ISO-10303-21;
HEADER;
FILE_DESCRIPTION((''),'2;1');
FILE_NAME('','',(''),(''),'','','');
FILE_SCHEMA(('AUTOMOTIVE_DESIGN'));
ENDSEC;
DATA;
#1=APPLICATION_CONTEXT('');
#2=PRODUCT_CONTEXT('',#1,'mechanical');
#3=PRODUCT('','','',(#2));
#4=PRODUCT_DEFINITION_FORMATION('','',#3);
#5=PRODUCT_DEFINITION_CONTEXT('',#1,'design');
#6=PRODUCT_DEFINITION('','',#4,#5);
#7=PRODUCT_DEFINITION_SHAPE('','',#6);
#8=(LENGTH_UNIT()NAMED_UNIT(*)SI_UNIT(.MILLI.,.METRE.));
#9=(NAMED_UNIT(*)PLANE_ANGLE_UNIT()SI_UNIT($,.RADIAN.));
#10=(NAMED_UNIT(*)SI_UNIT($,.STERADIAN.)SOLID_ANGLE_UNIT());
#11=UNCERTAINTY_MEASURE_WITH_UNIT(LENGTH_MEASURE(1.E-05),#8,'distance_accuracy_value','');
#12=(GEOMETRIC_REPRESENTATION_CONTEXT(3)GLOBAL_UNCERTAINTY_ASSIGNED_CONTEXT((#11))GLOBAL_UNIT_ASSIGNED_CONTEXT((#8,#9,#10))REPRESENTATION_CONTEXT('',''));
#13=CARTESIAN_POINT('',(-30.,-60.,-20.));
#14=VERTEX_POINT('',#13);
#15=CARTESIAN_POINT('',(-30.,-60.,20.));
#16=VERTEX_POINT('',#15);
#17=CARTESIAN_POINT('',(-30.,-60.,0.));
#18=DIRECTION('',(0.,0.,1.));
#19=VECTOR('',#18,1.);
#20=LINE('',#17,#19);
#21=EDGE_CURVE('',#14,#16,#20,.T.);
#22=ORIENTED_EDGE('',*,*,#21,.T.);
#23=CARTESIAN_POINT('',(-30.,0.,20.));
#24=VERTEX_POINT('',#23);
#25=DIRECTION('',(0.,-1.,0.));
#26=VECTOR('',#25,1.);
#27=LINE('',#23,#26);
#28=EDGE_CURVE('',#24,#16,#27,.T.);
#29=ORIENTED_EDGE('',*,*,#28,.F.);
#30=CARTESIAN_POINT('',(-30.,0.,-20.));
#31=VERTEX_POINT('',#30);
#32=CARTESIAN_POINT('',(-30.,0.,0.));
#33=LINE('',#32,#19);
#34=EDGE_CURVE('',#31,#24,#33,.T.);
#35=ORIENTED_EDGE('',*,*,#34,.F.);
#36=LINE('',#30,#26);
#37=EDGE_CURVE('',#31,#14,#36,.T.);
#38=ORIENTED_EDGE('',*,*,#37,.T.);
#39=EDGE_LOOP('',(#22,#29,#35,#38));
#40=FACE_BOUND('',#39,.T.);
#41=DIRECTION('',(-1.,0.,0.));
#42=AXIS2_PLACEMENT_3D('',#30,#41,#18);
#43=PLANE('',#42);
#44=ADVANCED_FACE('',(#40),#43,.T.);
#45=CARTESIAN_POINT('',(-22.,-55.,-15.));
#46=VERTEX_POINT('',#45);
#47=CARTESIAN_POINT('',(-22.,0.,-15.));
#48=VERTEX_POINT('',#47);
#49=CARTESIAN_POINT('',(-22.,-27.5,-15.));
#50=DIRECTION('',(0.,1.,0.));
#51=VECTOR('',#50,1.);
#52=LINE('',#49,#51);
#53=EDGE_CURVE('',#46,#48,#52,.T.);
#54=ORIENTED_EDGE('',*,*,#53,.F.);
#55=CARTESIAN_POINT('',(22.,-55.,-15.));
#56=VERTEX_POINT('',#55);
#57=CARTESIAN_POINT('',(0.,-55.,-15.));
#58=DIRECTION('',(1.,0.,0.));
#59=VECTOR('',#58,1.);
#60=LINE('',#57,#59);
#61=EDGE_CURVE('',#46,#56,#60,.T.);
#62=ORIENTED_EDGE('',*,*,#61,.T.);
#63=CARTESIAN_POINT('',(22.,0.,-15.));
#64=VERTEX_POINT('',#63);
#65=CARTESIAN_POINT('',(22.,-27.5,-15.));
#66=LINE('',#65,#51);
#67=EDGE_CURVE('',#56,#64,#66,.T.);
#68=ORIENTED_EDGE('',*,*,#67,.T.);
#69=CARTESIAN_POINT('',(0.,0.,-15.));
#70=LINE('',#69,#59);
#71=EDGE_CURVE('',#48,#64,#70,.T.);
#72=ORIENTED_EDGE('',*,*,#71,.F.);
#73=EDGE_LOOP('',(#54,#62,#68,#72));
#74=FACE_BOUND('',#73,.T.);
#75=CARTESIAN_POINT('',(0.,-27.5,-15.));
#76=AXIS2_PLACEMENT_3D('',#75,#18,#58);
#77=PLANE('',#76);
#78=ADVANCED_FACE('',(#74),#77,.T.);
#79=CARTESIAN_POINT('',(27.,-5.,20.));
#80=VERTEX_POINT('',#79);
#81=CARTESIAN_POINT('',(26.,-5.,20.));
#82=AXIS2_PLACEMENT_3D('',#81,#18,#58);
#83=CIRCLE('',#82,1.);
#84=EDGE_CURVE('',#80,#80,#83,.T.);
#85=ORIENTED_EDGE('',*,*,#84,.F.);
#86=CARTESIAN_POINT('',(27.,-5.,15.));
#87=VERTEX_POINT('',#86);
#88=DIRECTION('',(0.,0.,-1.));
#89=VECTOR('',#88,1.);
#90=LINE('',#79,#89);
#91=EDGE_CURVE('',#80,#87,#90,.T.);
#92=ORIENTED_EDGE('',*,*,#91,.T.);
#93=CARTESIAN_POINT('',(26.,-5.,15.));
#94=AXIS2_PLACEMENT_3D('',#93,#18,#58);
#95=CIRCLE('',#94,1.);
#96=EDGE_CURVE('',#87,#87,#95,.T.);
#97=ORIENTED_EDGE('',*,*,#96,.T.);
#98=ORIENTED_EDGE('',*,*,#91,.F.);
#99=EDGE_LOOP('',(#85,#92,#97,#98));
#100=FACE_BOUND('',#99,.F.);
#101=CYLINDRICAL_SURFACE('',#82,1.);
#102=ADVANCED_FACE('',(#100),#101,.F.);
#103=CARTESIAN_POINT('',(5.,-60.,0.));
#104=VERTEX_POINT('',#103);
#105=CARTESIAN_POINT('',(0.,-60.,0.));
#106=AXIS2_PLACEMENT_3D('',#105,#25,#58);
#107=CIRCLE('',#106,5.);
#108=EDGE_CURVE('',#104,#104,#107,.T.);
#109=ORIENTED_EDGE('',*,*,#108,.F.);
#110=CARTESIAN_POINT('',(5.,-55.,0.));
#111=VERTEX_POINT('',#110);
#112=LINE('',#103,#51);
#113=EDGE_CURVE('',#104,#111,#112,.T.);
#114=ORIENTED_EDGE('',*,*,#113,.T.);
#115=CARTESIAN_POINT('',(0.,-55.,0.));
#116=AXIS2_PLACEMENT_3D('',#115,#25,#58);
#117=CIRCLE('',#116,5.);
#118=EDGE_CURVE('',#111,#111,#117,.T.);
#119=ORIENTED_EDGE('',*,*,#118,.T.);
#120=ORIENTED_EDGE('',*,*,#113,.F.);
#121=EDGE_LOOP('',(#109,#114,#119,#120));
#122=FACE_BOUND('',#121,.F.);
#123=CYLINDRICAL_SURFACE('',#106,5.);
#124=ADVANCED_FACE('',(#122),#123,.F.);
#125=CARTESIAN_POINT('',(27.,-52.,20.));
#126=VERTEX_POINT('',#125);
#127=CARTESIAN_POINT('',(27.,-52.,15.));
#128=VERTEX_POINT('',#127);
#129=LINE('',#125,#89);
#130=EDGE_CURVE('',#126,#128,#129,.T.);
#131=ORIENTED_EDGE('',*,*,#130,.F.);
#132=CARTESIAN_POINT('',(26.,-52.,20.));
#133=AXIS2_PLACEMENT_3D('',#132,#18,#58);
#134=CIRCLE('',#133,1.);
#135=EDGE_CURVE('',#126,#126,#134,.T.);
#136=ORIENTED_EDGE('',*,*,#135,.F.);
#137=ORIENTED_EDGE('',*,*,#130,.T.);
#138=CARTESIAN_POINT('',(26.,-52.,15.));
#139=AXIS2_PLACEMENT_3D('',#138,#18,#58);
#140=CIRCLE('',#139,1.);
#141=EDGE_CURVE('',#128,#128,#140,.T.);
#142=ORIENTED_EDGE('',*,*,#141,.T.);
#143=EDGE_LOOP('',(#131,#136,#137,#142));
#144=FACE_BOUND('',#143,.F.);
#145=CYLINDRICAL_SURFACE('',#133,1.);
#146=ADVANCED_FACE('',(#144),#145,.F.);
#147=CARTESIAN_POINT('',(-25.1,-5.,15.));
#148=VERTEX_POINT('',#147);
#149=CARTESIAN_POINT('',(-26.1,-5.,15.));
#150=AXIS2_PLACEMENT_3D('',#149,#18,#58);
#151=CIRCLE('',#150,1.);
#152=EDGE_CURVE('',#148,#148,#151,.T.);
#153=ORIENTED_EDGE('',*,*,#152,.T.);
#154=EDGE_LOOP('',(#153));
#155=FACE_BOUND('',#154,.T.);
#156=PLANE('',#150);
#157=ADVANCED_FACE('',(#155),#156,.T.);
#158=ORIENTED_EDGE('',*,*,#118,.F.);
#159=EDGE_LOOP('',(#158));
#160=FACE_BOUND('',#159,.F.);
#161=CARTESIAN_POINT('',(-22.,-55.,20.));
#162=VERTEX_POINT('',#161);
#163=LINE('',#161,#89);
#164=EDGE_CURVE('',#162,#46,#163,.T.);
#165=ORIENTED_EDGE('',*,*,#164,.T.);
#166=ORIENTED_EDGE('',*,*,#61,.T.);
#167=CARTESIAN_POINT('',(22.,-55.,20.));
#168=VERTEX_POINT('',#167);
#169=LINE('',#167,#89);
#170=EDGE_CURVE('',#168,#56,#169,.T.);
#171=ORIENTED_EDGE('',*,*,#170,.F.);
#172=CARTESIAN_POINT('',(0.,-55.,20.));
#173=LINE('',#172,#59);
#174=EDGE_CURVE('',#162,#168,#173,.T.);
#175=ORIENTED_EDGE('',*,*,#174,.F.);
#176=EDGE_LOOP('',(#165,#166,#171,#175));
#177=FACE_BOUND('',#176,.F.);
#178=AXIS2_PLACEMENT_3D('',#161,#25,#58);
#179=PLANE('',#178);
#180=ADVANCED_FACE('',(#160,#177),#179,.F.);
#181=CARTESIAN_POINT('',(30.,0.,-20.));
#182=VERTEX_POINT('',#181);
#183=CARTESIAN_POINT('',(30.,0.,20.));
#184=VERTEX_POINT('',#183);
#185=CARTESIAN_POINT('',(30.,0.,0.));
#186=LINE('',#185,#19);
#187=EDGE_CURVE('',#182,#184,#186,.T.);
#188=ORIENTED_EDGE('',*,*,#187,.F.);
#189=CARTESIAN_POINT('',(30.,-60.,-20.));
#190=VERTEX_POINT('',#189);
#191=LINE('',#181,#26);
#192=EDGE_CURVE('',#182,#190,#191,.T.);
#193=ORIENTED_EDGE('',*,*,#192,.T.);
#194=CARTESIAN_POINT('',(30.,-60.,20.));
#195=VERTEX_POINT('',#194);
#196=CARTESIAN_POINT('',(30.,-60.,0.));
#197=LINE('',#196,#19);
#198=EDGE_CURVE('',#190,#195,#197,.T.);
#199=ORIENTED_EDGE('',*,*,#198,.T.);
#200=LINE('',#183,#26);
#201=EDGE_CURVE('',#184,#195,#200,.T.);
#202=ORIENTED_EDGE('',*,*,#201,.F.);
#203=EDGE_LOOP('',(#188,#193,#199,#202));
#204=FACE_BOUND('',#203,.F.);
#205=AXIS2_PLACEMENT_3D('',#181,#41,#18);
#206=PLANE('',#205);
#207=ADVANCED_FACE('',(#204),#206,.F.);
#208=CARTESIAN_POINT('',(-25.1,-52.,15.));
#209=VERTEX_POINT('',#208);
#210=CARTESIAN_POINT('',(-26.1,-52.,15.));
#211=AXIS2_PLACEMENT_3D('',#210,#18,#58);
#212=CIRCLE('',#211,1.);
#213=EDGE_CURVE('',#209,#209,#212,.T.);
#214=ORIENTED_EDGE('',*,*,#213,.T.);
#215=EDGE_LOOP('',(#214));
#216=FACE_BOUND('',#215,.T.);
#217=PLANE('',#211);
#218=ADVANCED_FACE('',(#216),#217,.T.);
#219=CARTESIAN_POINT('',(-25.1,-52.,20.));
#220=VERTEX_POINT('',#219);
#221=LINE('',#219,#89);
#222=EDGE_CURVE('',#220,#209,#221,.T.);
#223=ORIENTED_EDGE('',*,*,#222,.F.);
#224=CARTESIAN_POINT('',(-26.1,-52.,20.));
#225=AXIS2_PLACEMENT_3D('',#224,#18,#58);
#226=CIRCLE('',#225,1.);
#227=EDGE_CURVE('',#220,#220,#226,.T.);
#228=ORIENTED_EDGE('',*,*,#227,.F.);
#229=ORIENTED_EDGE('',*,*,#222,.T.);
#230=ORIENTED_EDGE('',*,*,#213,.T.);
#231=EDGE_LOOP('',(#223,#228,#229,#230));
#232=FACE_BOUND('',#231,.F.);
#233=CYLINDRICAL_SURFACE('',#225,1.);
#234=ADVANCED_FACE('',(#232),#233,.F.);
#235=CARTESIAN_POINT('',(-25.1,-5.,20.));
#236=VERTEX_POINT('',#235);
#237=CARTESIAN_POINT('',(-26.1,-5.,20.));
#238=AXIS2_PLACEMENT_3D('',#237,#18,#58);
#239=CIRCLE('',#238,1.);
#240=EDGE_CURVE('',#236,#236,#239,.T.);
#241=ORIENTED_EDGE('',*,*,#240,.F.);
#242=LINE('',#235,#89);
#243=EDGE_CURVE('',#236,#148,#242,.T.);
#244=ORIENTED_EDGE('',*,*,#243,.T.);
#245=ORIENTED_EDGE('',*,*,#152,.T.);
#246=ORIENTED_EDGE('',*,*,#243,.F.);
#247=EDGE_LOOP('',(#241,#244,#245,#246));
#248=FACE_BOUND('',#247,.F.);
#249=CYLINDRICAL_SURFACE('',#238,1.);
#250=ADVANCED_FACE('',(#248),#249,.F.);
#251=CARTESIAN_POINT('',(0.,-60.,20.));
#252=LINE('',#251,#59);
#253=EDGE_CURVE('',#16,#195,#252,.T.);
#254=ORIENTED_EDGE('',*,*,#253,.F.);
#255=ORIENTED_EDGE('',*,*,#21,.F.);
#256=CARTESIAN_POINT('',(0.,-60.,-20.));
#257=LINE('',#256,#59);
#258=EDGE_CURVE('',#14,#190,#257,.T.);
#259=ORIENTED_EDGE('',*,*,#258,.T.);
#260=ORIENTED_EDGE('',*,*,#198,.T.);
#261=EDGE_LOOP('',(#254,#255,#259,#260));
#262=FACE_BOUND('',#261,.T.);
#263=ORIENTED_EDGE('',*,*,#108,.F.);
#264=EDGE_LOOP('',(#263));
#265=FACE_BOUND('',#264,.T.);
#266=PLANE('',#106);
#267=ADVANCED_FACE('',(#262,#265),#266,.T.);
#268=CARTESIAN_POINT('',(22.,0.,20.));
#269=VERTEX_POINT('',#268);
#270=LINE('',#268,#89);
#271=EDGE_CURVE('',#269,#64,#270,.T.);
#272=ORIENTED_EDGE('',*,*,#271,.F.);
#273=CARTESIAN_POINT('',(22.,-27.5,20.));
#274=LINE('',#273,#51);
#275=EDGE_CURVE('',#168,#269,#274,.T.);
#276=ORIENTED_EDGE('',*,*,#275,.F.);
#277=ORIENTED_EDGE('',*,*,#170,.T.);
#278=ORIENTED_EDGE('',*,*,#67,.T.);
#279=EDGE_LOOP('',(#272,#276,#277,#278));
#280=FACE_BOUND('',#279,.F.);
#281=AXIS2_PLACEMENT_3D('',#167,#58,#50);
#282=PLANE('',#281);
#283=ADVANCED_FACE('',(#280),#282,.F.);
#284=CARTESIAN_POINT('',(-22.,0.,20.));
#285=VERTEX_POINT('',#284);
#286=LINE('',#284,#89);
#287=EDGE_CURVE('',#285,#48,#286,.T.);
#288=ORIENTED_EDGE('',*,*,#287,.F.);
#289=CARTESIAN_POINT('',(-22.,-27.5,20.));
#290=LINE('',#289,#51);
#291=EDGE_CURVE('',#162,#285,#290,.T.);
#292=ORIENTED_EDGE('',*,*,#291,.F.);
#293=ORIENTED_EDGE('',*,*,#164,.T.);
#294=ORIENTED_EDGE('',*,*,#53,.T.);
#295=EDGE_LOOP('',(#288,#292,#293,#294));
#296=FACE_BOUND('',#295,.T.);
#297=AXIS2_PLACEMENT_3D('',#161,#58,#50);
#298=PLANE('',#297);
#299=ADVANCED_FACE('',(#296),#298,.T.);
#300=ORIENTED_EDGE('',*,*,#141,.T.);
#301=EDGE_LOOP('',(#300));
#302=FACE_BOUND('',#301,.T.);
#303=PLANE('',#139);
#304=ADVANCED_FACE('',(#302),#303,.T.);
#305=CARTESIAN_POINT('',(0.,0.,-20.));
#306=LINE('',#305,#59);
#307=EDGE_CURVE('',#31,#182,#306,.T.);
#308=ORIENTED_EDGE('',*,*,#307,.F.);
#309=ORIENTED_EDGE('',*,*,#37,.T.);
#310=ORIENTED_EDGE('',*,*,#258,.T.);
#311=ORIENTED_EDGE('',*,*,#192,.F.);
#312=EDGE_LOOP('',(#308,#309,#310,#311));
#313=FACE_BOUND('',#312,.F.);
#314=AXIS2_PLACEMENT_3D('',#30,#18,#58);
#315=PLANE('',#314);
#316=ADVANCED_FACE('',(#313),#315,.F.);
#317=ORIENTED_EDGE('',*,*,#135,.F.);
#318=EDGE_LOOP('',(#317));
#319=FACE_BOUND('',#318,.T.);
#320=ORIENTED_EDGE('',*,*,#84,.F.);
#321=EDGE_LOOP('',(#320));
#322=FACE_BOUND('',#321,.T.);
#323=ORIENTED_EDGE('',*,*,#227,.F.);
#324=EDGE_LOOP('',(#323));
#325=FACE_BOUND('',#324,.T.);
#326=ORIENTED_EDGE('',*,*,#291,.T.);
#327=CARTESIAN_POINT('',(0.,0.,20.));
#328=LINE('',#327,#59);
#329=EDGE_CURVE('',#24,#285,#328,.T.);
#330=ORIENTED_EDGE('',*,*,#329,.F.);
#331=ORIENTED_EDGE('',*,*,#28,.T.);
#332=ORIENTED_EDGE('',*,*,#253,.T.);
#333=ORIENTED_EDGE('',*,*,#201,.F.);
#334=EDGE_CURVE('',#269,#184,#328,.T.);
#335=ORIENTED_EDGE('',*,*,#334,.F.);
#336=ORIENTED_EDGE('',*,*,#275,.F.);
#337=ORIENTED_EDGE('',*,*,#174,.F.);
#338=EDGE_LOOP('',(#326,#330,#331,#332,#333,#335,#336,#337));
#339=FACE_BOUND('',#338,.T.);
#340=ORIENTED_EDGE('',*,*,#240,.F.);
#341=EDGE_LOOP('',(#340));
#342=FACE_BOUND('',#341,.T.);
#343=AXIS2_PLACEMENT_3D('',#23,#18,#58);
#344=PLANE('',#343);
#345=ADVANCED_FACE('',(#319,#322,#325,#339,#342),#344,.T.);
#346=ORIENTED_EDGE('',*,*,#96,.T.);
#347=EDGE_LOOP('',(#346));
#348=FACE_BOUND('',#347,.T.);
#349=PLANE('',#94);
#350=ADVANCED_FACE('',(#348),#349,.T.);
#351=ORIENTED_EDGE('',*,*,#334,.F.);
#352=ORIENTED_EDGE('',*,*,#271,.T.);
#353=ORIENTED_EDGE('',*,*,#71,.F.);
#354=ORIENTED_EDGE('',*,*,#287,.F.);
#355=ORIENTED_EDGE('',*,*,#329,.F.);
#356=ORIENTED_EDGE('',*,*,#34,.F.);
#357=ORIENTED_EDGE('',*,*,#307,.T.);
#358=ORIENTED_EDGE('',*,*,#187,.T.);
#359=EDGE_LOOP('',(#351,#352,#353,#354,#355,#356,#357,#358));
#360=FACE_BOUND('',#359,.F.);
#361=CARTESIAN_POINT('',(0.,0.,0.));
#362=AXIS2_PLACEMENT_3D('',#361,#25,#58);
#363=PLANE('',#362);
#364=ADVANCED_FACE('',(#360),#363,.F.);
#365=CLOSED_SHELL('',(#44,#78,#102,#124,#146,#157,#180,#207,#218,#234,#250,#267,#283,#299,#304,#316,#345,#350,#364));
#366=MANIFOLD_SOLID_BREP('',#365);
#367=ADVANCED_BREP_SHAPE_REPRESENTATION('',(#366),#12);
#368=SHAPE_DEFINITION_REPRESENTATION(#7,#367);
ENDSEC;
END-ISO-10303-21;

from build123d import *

# Parameters (mm, degrees)
F0_W     = 60
F0_H     = 40
F1_DEPTH = 60
F2_W     = 44
F2_H     = 55
F3_DEPTH = 35
F4_R     = 5
F5_DEPTH = 25
F7_R     = 1
F8_DEPTH = 5


with BuildPart() as f1:
    # F0 (on Front) → F1 (new body)
    with BuildSketch(Plane.XZ):
        Rectangle(F0_W, F0_H)
    extrude(amount=F1_DEPTH)

    # F2 (on face) → F3 (cut)
    with BuildSketch(Plane.XY.offset(20)):
        with Locations((0, -27.5)):
            Rectangle(F2_W, F2_H)
    extrude(amount=-F3_DEPTH, mode=Mode.SUBTRACT)

    # F4 (on face) → F5 (cut)
    with BuildSketch(Plane.XZ.offset(60)):
        Circle(F4_R)
    extrude(amount=-F5_DEPTH, mode=Mode.SUBTRACT)

    # F7 (on face) → F8 (cut)
    with BuildSketch(Plane.XY.offset(20)):
        with Locations((-26.1, -5)):
            Circle(F7_R)
        with Locations((26, -5)):
            Circle(F7_R)
        with Locations((26, -52)):
            Circle(F7_R)
        with Locations((-26.1, -52)):
            Circle(F7_R)
    extrude(amount=-F8_DEPTH, mode=Mode.SUBTRACT)


solid = f1.part
